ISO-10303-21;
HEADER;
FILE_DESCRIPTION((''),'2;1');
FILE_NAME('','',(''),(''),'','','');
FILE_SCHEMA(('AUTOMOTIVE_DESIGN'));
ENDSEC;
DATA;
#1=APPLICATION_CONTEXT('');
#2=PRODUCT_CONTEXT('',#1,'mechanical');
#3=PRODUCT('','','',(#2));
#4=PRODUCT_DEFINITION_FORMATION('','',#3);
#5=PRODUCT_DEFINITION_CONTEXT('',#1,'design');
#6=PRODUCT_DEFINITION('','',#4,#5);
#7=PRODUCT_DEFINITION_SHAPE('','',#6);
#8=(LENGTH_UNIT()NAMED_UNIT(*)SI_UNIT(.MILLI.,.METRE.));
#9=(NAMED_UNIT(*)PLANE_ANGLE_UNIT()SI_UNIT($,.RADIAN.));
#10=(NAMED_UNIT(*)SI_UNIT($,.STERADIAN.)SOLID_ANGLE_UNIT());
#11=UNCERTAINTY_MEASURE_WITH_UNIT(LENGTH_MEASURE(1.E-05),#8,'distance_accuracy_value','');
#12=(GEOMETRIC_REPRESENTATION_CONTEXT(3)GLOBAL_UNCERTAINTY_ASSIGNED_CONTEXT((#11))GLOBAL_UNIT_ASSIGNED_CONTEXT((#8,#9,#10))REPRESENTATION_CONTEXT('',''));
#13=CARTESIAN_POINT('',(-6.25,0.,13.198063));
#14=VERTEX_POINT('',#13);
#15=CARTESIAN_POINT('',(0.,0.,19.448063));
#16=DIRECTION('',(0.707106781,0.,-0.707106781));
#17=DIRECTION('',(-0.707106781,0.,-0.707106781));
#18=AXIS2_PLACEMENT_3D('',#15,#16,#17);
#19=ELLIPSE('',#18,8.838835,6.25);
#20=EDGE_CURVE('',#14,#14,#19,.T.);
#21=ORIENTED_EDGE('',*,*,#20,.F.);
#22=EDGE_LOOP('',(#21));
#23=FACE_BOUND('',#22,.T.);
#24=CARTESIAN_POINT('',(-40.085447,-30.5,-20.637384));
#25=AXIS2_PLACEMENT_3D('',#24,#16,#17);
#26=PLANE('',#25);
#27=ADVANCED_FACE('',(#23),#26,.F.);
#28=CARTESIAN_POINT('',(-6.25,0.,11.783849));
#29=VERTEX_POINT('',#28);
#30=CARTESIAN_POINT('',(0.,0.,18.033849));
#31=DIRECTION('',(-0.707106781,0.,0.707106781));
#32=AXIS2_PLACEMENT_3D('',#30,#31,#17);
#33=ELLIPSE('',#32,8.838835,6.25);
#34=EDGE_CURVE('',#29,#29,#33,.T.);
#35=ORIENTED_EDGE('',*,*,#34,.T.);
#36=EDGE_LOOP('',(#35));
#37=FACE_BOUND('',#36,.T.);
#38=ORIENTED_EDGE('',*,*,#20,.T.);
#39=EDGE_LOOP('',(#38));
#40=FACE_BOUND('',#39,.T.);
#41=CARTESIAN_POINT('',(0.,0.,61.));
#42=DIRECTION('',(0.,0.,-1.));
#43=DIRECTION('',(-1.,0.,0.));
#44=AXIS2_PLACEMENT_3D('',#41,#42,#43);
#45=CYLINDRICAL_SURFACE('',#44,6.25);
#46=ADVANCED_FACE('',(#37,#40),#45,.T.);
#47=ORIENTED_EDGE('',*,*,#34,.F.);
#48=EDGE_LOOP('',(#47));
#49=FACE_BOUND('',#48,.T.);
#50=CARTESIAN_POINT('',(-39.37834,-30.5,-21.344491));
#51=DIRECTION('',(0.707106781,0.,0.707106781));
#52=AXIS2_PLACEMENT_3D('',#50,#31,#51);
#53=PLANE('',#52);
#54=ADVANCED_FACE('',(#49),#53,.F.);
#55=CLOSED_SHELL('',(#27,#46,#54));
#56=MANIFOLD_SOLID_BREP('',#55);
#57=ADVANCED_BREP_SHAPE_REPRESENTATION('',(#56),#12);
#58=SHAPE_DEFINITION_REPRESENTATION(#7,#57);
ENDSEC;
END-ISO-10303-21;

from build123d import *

# Parameters (mm, degrees)
SKETCH_1_R          = 6.25
EXTRUDE_1_DEPTH     = 61
CUT_EXTRUDE_1_DEPTH = 30.5


with BuildPart() as part:
    # 草图1 → 凸台-拉伸1 (new body)
    with BuildSketch(Plane.XY):
        Circle(SKETCH_1_R)
    extrude(amount=EXTRUDE_1_DEPTH)

    # 草图2 → 切除-拉伸1 (cut, symmetric)
    with BuildSketch(Plane(origin=(0, 0, 0), x_dir=(1, 0, 0), z_dir=(0, 1, 0))):
        Polygon((-39.378340461, 21.344490989), (32.946331, -50.980180473), (32.946331, 3.705336734), align=None)
        Polygon((-40.085447243, 20.637384208), (32.239224219, -51.687287254), (29.858688562, -63.951978102), (-29.50048748, -63.951978102), align=None)
    extrude(amount=CUT_EXTRUDE_1_DEPTH, both=True, mode=Mode.SUBTRACT)


solid = part.part
